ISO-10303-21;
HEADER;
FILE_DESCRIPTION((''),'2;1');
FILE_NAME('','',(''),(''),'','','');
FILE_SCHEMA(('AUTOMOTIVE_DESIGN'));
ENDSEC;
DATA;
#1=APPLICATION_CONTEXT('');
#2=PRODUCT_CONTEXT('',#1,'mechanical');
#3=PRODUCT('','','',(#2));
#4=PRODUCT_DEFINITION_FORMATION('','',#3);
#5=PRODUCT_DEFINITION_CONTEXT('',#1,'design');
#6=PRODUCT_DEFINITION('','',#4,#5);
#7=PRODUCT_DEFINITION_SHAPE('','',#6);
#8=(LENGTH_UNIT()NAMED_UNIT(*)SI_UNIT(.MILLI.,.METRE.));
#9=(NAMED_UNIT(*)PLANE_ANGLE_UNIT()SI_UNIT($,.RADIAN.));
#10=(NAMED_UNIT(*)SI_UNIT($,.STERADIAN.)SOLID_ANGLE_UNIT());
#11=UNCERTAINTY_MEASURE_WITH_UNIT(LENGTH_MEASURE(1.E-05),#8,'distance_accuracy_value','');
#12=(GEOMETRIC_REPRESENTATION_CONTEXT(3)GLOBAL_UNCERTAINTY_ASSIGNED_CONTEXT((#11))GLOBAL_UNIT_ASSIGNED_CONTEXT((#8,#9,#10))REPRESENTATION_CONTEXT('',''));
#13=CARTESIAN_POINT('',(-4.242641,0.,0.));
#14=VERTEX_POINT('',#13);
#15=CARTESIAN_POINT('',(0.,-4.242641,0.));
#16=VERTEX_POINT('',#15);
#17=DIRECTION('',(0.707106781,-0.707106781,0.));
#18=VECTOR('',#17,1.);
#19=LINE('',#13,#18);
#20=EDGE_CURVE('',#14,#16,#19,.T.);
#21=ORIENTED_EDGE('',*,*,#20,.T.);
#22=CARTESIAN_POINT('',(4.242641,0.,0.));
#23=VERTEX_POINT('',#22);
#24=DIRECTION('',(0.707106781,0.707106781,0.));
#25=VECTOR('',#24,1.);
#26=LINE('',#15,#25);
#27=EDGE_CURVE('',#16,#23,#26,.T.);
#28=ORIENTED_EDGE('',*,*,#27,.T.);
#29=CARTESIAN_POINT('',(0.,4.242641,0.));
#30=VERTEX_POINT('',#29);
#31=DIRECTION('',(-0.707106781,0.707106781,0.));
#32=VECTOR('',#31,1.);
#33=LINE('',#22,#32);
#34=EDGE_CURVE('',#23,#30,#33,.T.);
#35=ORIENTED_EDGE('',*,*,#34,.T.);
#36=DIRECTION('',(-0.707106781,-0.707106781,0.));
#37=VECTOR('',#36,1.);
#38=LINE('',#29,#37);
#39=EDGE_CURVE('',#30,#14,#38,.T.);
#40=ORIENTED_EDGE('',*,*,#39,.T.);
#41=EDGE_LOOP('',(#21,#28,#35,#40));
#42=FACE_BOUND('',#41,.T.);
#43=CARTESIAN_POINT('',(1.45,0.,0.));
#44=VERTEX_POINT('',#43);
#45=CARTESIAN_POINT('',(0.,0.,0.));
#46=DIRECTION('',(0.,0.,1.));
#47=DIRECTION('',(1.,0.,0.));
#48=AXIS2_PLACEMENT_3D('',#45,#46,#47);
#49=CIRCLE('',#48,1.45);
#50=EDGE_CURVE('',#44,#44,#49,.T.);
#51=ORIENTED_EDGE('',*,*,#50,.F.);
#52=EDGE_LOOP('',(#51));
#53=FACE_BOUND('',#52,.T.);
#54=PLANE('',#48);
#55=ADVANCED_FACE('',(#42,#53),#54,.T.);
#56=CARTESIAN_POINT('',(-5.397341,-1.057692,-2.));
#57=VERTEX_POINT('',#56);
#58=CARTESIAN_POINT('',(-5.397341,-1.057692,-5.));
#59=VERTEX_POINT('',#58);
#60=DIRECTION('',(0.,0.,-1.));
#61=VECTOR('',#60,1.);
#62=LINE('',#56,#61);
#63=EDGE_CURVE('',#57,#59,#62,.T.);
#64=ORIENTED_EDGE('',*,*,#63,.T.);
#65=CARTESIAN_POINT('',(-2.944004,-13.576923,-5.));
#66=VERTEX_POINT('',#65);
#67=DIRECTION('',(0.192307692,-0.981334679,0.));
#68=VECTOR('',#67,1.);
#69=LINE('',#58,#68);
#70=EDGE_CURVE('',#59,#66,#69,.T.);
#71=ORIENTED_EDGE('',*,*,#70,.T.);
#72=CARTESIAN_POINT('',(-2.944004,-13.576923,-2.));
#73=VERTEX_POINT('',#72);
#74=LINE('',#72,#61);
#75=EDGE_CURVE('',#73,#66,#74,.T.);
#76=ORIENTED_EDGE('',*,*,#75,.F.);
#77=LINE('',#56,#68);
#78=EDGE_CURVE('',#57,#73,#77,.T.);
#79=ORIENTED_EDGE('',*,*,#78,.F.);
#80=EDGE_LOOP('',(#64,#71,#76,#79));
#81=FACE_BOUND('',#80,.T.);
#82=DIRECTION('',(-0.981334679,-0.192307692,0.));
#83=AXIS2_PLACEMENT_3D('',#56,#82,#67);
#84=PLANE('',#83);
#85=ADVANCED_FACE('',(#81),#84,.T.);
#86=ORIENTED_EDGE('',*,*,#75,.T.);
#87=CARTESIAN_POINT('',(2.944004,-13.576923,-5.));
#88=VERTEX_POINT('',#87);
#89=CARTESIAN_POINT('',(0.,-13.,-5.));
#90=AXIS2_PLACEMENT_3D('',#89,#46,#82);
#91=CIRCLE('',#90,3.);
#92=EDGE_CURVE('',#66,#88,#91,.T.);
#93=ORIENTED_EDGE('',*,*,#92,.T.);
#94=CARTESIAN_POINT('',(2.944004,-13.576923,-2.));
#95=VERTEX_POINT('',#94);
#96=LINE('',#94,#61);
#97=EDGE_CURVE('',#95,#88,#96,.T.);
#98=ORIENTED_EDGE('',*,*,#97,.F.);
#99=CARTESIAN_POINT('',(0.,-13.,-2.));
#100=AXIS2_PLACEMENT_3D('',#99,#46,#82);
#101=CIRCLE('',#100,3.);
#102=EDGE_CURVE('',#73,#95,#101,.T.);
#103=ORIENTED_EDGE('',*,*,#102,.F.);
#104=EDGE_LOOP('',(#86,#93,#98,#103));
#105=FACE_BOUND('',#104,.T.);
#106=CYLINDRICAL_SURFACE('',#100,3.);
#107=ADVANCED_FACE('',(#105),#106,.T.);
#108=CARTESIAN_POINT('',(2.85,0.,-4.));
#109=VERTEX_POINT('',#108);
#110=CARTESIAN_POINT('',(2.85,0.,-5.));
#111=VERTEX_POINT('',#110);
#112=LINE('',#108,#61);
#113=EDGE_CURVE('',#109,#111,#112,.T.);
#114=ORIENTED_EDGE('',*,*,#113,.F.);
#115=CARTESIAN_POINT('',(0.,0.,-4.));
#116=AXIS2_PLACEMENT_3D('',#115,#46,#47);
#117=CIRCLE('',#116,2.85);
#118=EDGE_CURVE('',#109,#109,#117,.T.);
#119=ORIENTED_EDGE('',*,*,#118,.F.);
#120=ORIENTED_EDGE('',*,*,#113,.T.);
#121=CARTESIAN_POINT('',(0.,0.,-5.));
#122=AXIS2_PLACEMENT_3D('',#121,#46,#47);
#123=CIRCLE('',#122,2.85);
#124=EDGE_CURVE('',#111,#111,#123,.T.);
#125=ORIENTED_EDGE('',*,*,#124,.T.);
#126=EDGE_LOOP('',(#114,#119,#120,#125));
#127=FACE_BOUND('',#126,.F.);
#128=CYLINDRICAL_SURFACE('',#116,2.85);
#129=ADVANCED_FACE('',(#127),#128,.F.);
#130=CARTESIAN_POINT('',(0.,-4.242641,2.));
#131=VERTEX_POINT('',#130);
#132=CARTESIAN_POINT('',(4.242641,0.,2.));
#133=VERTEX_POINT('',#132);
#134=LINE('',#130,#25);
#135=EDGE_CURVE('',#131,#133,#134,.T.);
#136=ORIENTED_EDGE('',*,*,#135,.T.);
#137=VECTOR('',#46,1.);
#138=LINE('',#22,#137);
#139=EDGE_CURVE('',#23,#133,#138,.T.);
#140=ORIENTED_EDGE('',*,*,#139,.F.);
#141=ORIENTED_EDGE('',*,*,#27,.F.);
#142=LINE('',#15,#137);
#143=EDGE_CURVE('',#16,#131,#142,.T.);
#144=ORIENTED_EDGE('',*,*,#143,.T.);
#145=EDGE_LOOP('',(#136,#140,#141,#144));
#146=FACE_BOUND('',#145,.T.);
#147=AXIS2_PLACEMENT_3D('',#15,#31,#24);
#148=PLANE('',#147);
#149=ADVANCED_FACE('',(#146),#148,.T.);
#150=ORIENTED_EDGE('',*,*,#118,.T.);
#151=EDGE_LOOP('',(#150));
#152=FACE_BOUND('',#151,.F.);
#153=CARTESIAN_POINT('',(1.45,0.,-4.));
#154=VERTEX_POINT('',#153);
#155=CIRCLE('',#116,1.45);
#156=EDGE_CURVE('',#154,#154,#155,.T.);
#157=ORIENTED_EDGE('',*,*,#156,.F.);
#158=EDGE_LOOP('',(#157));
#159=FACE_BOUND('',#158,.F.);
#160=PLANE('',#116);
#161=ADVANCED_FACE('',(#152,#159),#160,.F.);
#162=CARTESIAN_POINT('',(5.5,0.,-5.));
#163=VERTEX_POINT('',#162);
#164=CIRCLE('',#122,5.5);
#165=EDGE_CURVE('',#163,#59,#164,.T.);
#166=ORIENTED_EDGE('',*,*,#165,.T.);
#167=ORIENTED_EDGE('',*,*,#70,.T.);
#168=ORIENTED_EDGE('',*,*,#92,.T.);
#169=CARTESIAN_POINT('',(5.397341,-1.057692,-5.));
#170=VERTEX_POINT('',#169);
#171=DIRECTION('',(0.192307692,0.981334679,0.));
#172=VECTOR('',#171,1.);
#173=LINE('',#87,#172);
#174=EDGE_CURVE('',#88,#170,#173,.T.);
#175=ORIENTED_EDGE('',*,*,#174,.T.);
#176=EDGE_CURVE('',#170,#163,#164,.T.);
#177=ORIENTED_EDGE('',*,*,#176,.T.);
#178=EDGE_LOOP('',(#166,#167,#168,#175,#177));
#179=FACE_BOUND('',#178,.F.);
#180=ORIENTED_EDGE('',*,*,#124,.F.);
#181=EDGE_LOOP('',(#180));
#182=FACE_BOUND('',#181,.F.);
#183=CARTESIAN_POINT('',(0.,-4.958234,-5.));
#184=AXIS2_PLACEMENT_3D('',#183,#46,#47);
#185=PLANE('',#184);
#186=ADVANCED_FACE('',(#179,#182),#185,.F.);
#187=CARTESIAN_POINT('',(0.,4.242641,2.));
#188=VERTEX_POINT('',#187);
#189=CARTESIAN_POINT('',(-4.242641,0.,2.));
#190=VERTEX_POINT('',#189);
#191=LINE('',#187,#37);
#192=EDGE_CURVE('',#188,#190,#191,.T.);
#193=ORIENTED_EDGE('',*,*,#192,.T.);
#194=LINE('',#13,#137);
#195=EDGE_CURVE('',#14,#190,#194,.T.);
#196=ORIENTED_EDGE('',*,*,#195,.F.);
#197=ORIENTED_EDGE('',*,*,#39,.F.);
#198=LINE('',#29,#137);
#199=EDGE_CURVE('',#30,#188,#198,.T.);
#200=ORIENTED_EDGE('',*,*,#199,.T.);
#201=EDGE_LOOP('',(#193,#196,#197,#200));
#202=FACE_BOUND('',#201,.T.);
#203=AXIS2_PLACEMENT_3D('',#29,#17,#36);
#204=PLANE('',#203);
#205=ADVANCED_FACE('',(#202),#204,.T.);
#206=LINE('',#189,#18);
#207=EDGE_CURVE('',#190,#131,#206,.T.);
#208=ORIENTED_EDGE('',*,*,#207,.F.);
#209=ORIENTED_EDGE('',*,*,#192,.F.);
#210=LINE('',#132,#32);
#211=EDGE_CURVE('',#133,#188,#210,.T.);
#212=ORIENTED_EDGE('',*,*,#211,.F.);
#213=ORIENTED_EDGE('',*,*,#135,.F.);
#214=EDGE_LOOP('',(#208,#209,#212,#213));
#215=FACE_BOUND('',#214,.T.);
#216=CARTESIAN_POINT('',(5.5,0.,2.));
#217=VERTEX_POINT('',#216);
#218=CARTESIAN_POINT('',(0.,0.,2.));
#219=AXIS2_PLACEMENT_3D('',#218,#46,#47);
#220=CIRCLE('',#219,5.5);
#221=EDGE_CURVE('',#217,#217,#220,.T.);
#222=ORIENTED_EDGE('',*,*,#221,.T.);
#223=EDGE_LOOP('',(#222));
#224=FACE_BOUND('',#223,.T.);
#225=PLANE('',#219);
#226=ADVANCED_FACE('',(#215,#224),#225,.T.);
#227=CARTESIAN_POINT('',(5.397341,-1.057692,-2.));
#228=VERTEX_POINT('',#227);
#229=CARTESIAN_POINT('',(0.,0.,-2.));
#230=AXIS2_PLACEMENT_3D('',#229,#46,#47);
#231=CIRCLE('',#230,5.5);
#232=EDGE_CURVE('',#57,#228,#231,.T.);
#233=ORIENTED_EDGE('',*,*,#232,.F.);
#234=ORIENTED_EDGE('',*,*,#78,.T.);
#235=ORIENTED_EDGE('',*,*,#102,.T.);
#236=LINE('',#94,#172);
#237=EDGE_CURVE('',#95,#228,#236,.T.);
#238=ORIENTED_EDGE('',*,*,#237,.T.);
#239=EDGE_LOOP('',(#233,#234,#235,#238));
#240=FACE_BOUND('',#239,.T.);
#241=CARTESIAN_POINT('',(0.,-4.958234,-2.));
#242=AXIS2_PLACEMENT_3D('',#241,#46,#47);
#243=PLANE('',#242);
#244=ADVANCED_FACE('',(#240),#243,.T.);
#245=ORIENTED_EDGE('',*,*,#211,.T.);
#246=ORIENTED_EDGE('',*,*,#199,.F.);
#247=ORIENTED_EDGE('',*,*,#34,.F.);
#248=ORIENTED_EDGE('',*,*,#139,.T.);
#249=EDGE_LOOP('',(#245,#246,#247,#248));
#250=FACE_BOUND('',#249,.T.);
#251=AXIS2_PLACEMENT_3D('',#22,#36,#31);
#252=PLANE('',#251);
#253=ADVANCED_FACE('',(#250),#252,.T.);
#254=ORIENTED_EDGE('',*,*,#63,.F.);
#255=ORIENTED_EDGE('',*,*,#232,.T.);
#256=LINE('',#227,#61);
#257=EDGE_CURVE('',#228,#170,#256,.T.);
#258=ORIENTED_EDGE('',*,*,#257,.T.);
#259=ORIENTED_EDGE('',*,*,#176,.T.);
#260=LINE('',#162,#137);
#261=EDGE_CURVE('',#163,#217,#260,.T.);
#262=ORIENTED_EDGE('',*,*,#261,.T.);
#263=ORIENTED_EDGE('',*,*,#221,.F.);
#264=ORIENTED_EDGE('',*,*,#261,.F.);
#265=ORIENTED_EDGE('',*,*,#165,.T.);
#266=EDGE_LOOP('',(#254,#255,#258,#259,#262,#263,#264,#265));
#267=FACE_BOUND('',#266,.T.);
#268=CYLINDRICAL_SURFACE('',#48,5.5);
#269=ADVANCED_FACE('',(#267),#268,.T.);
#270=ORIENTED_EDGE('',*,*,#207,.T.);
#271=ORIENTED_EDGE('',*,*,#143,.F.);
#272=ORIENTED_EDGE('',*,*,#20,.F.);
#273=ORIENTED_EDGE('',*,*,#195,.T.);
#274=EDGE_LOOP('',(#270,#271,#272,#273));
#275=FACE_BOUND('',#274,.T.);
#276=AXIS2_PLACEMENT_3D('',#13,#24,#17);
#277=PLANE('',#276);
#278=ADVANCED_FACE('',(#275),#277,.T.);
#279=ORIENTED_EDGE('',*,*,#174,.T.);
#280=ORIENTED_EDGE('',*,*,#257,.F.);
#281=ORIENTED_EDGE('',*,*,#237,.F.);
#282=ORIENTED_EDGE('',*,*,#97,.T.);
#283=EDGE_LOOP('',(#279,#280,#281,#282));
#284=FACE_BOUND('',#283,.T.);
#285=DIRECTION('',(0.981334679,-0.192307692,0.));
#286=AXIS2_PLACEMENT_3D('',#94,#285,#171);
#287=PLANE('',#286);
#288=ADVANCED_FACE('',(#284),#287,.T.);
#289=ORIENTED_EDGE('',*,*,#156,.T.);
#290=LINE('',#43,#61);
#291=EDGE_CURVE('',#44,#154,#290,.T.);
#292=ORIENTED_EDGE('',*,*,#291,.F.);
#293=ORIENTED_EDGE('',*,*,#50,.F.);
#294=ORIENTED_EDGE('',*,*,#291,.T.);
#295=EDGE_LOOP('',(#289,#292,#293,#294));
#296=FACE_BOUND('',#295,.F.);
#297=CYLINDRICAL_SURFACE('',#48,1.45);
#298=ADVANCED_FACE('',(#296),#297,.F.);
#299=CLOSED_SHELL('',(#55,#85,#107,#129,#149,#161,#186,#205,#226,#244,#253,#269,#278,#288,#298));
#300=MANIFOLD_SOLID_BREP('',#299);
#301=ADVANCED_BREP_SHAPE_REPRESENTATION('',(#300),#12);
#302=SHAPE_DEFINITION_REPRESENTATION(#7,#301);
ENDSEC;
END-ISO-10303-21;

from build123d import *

# Parameters (mm, degrees)
F0_R          = 5.5
F1_DEPTH      = 5
F1_DEPTH_BACK = 2
F3_DEPTH      = 2
F5_START      = -2
F5_DEPTH      = 3
F7_START      = -4
F6_R          = 2.85
F7_DEPTH      = 21
F8_R          = 1.45
F9_DEPTH      = 25
F9_DEPTH_BACK = 25


with BuildPart() as f1:
    # F0 (on Top) → F1 (new body, two sides)
    with BuildSketch(Plane.XY) as f1_sk:
        Circle(F0_R)
    extrude(amount=-F1_DEPTH)
    extrude(f1_sk.sketch, amount=F1_DEPTH_BACK)

    # F2 (on Top) → F3 (cut)
    with BuildSketch(Plane.XY):
        Polygon((4.2426406871, 0), (0, 4.2426406871), (-4.2426406871, 0), (0, -4.2426406871), align=None)
    extrude(amount=F3_DEPTH, mode=Mode.SUBTRACT)

    # F4 (on Top) → F5 (join)
    with BuildSketch(Plane.XY.offset(F5_START)):
        with BuildLine():
            Line((-5.3973407325, -1.0576923077), (-2.9440040359, -13.5769230769))
            ThreePointArc((-2.9440040359, -13.5769230769), (0, -16), (2.9440040359, -13.5769230769))
            Line((2.9440040359, -13.5769230769), (5.3973407325, -1.0576923077))
            ThreePointArc((5.3973407325, -1.0576923077), (0, 5.5), (-5.3973407325, -1.0576923077))
        make_face()
    extrude(amount=-F5_DEPTH)

    # F6 (on Top) → F7 (cut)
    with BuildSketch(Plane.XY.offset(F7_START)):
        Circle(F6_R)
    extrude(amount=-F7_DEPTH, mode=Mode.SUBTRACT)

    # F8 (on Top) → F9 (cut, two sides)
    with BuildSketch(Plane.XY) as f9_sk:
        Circle(F8_R)
    extrude(amount=-F9_DEPTH, mode=Mode.SUBTRACT)
    extrude(f9_sk.sketch, amount=F9_DEPTH_BACK, mode=Mode.SUBTRACT)


solid = f1.part
